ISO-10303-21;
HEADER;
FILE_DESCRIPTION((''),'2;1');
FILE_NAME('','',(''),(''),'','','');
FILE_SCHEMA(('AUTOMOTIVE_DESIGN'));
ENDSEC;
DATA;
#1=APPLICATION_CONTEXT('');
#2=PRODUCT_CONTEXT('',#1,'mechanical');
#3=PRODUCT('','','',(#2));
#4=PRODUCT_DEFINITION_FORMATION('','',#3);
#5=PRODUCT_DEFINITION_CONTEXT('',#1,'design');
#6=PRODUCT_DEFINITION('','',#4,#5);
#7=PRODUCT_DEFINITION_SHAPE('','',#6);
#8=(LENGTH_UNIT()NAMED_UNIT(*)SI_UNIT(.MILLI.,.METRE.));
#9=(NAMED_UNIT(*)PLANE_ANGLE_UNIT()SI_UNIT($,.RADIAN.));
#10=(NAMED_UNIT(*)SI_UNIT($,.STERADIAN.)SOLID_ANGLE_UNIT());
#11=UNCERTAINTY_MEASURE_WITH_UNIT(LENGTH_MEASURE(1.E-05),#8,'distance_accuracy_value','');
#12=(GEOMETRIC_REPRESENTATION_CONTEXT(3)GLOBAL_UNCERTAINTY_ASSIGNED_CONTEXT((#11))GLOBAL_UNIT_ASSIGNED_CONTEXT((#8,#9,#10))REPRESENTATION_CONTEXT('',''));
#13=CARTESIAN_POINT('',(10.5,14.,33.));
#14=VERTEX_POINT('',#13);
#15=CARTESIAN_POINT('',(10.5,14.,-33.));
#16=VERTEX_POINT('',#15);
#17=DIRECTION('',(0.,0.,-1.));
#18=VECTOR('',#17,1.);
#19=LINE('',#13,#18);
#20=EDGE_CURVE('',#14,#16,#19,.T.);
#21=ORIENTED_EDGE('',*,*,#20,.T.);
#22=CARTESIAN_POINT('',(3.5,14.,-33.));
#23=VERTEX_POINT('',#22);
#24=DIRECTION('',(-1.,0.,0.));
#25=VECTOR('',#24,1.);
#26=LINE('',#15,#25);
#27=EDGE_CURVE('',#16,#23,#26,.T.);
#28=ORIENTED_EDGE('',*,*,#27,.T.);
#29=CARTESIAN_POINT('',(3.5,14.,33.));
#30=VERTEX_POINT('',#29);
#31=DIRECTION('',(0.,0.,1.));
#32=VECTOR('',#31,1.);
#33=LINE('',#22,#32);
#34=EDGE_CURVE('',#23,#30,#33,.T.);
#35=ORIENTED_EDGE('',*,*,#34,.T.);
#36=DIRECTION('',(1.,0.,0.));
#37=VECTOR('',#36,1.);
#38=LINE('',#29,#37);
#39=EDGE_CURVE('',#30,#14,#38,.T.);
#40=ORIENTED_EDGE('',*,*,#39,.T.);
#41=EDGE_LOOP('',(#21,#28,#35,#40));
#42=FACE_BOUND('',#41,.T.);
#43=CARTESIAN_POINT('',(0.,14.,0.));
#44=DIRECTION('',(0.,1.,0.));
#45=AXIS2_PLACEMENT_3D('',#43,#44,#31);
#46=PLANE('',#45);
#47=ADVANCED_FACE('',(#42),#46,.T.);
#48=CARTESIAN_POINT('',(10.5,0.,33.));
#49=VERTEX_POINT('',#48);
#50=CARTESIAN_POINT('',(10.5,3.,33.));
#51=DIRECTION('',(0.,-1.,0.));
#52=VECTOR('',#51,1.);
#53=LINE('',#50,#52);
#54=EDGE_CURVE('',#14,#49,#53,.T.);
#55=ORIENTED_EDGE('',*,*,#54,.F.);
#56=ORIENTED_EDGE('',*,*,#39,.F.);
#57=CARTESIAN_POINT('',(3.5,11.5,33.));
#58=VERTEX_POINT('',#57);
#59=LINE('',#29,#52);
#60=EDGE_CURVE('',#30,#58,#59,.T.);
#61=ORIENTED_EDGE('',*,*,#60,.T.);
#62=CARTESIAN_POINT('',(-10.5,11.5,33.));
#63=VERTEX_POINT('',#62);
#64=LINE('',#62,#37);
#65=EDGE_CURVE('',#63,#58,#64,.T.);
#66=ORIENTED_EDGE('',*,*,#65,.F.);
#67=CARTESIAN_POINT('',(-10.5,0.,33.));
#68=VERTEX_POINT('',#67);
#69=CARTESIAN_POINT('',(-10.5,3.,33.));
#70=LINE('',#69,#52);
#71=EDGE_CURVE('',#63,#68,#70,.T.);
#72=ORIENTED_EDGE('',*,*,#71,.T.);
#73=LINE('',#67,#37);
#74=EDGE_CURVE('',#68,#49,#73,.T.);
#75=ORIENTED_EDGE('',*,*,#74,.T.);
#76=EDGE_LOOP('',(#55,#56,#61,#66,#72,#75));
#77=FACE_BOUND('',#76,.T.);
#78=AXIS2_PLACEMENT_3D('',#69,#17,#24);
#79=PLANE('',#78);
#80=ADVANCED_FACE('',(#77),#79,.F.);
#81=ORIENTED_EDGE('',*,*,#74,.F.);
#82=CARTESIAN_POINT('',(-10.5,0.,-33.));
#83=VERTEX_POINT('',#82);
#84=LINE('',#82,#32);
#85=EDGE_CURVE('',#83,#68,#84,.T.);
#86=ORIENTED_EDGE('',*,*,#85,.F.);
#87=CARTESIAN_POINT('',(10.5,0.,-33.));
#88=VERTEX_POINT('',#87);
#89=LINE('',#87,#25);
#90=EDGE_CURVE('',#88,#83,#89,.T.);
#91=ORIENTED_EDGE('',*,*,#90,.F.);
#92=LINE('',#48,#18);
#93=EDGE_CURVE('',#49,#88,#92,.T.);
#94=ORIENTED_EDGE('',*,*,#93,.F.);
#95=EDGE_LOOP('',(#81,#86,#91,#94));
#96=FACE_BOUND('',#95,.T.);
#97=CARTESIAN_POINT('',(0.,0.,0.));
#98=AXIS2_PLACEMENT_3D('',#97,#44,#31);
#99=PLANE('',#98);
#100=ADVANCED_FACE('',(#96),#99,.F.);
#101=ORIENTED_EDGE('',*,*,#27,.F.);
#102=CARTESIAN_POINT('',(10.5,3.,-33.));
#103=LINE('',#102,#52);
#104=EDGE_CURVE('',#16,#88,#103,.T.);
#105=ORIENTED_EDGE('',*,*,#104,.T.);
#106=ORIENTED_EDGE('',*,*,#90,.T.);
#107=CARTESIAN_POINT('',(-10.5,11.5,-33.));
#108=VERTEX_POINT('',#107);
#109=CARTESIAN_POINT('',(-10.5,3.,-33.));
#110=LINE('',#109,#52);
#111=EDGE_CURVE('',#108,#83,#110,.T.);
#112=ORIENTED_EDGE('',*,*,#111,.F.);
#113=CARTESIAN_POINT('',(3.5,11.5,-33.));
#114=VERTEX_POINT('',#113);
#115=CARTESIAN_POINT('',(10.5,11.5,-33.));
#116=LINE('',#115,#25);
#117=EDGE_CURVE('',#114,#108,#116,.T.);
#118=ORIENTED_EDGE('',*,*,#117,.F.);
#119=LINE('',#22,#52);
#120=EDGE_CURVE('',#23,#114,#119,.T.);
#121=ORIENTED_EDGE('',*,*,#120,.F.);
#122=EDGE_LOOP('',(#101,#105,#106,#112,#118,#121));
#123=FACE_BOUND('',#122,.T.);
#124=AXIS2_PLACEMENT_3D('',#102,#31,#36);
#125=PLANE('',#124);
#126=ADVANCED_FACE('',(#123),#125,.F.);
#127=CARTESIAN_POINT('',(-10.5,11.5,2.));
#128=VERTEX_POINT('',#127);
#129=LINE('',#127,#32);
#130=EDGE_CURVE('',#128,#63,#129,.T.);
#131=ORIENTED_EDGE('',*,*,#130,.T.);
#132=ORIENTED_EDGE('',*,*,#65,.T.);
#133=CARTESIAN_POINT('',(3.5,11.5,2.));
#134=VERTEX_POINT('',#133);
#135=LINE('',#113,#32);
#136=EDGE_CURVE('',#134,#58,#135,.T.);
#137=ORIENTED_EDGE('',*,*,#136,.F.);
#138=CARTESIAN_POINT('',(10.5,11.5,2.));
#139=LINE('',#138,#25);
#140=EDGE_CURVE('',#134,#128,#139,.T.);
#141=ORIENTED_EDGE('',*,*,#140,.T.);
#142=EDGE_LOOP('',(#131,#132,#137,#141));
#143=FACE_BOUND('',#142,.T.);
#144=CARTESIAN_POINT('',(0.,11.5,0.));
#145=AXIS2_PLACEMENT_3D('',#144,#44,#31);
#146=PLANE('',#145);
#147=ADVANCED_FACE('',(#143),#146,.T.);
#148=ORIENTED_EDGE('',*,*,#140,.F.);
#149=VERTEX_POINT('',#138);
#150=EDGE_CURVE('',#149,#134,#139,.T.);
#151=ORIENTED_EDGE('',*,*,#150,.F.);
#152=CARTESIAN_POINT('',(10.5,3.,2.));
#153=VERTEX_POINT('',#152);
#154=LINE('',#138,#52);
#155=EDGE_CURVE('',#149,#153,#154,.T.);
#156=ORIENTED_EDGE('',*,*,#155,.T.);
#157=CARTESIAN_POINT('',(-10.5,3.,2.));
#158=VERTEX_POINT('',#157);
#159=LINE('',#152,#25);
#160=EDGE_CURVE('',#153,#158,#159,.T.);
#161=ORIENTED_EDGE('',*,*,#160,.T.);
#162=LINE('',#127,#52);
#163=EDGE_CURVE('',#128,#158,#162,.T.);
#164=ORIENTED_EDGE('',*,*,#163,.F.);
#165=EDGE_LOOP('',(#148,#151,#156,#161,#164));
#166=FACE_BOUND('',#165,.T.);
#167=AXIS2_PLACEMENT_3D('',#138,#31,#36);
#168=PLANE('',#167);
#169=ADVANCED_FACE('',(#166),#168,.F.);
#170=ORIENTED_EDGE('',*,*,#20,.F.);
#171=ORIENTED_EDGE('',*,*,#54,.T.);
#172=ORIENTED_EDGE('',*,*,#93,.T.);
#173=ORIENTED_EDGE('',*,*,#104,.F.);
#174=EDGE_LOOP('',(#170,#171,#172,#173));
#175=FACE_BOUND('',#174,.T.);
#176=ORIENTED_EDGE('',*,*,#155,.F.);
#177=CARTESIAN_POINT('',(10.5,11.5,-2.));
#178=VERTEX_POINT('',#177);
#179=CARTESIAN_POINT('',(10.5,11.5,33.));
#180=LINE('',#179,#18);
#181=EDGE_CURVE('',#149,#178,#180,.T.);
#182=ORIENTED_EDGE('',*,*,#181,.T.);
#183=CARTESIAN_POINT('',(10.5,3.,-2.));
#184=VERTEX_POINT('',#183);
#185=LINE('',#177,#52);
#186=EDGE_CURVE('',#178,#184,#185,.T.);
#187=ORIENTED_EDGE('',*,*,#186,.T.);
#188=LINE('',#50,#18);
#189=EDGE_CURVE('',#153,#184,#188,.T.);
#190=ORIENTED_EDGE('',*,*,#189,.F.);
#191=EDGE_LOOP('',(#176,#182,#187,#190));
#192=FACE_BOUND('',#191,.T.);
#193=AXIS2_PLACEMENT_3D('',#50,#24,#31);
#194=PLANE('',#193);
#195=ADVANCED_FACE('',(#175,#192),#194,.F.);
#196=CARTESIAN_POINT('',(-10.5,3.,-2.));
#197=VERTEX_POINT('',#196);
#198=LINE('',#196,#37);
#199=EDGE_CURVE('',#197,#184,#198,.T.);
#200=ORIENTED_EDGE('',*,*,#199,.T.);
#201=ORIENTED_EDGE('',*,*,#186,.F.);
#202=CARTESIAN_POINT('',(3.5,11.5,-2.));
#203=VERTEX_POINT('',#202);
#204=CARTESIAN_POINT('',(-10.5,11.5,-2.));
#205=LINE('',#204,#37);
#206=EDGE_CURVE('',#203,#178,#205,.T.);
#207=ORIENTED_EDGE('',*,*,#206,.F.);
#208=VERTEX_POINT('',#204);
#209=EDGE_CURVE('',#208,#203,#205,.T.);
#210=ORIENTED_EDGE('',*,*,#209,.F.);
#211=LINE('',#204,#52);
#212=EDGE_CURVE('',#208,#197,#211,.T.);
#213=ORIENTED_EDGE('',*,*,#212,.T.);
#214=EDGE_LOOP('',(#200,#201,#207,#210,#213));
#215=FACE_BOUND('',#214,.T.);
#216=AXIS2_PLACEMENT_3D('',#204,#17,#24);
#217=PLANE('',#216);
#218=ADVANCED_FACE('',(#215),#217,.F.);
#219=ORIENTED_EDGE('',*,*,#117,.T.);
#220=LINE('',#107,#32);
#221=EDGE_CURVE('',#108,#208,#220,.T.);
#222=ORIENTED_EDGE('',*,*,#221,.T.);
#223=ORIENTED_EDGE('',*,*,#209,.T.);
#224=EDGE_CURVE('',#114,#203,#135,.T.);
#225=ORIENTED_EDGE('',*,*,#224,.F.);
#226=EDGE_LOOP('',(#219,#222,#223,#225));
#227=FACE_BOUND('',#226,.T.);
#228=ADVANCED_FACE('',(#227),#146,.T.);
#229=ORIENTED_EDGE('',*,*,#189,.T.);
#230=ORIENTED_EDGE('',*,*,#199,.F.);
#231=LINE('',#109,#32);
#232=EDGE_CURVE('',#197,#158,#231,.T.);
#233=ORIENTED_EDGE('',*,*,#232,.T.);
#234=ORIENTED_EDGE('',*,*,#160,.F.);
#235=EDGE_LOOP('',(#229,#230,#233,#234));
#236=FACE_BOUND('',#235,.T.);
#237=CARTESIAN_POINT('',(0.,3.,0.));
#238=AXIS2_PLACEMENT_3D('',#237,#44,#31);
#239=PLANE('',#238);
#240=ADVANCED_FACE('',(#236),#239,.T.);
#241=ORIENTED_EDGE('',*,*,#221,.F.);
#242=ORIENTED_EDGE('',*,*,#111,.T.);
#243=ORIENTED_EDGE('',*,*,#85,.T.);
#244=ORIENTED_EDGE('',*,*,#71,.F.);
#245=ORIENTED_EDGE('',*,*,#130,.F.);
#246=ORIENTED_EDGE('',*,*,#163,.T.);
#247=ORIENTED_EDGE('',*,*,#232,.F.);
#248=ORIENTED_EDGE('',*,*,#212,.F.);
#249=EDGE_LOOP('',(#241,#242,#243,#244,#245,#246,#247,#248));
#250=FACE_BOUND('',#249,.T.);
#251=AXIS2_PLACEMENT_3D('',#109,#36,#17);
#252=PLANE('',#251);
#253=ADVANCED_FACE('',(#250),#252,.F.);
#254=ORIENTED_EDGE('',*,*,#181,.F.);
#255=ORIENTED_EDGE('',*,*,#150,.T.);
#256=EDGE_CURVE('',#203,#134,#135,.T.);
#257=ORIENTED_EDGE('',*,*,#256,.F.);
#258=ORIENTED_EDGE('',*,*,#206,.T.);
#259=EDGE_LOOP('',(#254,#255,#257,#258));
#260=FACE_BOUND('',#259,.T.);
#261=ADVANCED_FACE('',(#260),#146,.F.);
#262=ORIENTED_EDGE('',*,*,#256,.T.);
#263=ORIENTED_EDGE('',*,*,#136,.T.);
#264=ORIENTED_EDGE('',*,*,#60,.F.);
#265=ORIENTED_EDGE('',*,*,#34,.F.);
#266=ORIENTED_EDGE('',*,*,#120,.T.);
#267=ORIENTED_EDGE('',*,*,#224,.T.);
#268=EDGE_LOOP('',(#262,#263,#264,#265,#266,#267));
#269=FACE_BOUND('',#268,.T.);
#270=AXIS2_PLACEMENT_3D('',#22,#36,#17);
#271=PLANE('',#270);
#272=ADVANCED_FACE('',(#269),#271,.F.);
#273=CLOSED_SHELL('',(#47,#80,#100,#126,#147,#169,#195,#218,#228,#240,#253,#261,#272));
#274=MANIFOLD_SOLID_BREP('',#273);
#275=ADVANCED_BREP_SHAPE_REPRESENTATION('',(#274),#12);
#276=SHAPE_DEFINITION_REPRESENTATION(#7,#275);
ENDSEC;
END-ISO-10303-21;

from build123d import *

# Parameters (mm, degrees)
SK_P01_CARRIER_W             = 21
SK_P01_CARRIER_H             = 66
P01_CARRIER_DEPTH            = 3
P02_WAGO221415GNDSTAR_START  = 3
SK_P02_WAGO221415GNDSTAR_W   = 21
SK_P02_WAGO221415GNDSTAR_H   = 31
P02_WAGO221415GNDSTAR_DEPTH  = 8.5
P03_WAGO221415PACKNODE_START = 3
SK_P03_WAGO221415PACKNODE_W  = 21
SK_P03_WAGO221415PACKNODE_H  = 31
P03_WAGO221415PACKNODE_DEPTH = 8.5
P04_LEVERS_START             = 11.5
SK_P04_LEVERS_W              = 7
SK_P04_LEVERS_H              = 66
P04_LEVERS_DEPTH             = 2.5


with BuildPart() as part:
    # SK_P01_Carrier → P01_Carrier (new body)
    with BuildSketch(Plane(origin=(0, 0, 0), x_dir=(1, 0, 0), z_dir=(0, 1, 0))):
        Rectangle(SK_P01_CARRIER_W, SK_P01_CARRIER_H)
    extrude(amount=P01_CARRIER_DEPTH)

    # SK_P02_WAGO221415GNDstar → P02_WAGO221415GNDstar (add)
    with BuildSketch(Plane(origin=(0, 0, 0), x_dir=(1, 0, 0), z_dir=(0, 1, 0)).offset(P02_WAGO221415GNDSTAR_START)):
        with Locations((0, 17.5)):
            Rectangle(SK_P02_WAGO221415GNDSTAR_W, SK_P02_WAGO221415GNDSTAR_H)
    extrude(amount=P02_WAGO221415GNDSTAR_DEPTH)

    # SK_P03_WAGO221415packnode → P03_WAGO221415packnode (add)
    with BuildSketch(Plane(origin=(0, 0, 0), x_dir=(1, 0, 0), z_dir=(0, 1, 0)).offset(P03_WAGO221415PACKNODE_START)):
        with Locations((0, -17.5)):
            Rectangle(SK_P03_WAGO221415PACKNODE_W, SK_P03_WAGO221415PACKNODE_H)
    extrude(amount=P03_WAGO221415PACKNODE_DEPTH)

    # SK_P04_Levers → P04_Levers (add)
    with BuildSketch(Plane(origin=(0, 0, 0), x_dir=(1, 0, 0), z_dir=(0, 1, 0)).offset(P04_LEVERS_START)):
        with Locations((7, 0)):
            Rectangle(SK_P04_LEVERS_W, SK_P04_LEVERS_H)
    extrude(amount=P04_LEVERS_DEPTH)


solid = part.part
